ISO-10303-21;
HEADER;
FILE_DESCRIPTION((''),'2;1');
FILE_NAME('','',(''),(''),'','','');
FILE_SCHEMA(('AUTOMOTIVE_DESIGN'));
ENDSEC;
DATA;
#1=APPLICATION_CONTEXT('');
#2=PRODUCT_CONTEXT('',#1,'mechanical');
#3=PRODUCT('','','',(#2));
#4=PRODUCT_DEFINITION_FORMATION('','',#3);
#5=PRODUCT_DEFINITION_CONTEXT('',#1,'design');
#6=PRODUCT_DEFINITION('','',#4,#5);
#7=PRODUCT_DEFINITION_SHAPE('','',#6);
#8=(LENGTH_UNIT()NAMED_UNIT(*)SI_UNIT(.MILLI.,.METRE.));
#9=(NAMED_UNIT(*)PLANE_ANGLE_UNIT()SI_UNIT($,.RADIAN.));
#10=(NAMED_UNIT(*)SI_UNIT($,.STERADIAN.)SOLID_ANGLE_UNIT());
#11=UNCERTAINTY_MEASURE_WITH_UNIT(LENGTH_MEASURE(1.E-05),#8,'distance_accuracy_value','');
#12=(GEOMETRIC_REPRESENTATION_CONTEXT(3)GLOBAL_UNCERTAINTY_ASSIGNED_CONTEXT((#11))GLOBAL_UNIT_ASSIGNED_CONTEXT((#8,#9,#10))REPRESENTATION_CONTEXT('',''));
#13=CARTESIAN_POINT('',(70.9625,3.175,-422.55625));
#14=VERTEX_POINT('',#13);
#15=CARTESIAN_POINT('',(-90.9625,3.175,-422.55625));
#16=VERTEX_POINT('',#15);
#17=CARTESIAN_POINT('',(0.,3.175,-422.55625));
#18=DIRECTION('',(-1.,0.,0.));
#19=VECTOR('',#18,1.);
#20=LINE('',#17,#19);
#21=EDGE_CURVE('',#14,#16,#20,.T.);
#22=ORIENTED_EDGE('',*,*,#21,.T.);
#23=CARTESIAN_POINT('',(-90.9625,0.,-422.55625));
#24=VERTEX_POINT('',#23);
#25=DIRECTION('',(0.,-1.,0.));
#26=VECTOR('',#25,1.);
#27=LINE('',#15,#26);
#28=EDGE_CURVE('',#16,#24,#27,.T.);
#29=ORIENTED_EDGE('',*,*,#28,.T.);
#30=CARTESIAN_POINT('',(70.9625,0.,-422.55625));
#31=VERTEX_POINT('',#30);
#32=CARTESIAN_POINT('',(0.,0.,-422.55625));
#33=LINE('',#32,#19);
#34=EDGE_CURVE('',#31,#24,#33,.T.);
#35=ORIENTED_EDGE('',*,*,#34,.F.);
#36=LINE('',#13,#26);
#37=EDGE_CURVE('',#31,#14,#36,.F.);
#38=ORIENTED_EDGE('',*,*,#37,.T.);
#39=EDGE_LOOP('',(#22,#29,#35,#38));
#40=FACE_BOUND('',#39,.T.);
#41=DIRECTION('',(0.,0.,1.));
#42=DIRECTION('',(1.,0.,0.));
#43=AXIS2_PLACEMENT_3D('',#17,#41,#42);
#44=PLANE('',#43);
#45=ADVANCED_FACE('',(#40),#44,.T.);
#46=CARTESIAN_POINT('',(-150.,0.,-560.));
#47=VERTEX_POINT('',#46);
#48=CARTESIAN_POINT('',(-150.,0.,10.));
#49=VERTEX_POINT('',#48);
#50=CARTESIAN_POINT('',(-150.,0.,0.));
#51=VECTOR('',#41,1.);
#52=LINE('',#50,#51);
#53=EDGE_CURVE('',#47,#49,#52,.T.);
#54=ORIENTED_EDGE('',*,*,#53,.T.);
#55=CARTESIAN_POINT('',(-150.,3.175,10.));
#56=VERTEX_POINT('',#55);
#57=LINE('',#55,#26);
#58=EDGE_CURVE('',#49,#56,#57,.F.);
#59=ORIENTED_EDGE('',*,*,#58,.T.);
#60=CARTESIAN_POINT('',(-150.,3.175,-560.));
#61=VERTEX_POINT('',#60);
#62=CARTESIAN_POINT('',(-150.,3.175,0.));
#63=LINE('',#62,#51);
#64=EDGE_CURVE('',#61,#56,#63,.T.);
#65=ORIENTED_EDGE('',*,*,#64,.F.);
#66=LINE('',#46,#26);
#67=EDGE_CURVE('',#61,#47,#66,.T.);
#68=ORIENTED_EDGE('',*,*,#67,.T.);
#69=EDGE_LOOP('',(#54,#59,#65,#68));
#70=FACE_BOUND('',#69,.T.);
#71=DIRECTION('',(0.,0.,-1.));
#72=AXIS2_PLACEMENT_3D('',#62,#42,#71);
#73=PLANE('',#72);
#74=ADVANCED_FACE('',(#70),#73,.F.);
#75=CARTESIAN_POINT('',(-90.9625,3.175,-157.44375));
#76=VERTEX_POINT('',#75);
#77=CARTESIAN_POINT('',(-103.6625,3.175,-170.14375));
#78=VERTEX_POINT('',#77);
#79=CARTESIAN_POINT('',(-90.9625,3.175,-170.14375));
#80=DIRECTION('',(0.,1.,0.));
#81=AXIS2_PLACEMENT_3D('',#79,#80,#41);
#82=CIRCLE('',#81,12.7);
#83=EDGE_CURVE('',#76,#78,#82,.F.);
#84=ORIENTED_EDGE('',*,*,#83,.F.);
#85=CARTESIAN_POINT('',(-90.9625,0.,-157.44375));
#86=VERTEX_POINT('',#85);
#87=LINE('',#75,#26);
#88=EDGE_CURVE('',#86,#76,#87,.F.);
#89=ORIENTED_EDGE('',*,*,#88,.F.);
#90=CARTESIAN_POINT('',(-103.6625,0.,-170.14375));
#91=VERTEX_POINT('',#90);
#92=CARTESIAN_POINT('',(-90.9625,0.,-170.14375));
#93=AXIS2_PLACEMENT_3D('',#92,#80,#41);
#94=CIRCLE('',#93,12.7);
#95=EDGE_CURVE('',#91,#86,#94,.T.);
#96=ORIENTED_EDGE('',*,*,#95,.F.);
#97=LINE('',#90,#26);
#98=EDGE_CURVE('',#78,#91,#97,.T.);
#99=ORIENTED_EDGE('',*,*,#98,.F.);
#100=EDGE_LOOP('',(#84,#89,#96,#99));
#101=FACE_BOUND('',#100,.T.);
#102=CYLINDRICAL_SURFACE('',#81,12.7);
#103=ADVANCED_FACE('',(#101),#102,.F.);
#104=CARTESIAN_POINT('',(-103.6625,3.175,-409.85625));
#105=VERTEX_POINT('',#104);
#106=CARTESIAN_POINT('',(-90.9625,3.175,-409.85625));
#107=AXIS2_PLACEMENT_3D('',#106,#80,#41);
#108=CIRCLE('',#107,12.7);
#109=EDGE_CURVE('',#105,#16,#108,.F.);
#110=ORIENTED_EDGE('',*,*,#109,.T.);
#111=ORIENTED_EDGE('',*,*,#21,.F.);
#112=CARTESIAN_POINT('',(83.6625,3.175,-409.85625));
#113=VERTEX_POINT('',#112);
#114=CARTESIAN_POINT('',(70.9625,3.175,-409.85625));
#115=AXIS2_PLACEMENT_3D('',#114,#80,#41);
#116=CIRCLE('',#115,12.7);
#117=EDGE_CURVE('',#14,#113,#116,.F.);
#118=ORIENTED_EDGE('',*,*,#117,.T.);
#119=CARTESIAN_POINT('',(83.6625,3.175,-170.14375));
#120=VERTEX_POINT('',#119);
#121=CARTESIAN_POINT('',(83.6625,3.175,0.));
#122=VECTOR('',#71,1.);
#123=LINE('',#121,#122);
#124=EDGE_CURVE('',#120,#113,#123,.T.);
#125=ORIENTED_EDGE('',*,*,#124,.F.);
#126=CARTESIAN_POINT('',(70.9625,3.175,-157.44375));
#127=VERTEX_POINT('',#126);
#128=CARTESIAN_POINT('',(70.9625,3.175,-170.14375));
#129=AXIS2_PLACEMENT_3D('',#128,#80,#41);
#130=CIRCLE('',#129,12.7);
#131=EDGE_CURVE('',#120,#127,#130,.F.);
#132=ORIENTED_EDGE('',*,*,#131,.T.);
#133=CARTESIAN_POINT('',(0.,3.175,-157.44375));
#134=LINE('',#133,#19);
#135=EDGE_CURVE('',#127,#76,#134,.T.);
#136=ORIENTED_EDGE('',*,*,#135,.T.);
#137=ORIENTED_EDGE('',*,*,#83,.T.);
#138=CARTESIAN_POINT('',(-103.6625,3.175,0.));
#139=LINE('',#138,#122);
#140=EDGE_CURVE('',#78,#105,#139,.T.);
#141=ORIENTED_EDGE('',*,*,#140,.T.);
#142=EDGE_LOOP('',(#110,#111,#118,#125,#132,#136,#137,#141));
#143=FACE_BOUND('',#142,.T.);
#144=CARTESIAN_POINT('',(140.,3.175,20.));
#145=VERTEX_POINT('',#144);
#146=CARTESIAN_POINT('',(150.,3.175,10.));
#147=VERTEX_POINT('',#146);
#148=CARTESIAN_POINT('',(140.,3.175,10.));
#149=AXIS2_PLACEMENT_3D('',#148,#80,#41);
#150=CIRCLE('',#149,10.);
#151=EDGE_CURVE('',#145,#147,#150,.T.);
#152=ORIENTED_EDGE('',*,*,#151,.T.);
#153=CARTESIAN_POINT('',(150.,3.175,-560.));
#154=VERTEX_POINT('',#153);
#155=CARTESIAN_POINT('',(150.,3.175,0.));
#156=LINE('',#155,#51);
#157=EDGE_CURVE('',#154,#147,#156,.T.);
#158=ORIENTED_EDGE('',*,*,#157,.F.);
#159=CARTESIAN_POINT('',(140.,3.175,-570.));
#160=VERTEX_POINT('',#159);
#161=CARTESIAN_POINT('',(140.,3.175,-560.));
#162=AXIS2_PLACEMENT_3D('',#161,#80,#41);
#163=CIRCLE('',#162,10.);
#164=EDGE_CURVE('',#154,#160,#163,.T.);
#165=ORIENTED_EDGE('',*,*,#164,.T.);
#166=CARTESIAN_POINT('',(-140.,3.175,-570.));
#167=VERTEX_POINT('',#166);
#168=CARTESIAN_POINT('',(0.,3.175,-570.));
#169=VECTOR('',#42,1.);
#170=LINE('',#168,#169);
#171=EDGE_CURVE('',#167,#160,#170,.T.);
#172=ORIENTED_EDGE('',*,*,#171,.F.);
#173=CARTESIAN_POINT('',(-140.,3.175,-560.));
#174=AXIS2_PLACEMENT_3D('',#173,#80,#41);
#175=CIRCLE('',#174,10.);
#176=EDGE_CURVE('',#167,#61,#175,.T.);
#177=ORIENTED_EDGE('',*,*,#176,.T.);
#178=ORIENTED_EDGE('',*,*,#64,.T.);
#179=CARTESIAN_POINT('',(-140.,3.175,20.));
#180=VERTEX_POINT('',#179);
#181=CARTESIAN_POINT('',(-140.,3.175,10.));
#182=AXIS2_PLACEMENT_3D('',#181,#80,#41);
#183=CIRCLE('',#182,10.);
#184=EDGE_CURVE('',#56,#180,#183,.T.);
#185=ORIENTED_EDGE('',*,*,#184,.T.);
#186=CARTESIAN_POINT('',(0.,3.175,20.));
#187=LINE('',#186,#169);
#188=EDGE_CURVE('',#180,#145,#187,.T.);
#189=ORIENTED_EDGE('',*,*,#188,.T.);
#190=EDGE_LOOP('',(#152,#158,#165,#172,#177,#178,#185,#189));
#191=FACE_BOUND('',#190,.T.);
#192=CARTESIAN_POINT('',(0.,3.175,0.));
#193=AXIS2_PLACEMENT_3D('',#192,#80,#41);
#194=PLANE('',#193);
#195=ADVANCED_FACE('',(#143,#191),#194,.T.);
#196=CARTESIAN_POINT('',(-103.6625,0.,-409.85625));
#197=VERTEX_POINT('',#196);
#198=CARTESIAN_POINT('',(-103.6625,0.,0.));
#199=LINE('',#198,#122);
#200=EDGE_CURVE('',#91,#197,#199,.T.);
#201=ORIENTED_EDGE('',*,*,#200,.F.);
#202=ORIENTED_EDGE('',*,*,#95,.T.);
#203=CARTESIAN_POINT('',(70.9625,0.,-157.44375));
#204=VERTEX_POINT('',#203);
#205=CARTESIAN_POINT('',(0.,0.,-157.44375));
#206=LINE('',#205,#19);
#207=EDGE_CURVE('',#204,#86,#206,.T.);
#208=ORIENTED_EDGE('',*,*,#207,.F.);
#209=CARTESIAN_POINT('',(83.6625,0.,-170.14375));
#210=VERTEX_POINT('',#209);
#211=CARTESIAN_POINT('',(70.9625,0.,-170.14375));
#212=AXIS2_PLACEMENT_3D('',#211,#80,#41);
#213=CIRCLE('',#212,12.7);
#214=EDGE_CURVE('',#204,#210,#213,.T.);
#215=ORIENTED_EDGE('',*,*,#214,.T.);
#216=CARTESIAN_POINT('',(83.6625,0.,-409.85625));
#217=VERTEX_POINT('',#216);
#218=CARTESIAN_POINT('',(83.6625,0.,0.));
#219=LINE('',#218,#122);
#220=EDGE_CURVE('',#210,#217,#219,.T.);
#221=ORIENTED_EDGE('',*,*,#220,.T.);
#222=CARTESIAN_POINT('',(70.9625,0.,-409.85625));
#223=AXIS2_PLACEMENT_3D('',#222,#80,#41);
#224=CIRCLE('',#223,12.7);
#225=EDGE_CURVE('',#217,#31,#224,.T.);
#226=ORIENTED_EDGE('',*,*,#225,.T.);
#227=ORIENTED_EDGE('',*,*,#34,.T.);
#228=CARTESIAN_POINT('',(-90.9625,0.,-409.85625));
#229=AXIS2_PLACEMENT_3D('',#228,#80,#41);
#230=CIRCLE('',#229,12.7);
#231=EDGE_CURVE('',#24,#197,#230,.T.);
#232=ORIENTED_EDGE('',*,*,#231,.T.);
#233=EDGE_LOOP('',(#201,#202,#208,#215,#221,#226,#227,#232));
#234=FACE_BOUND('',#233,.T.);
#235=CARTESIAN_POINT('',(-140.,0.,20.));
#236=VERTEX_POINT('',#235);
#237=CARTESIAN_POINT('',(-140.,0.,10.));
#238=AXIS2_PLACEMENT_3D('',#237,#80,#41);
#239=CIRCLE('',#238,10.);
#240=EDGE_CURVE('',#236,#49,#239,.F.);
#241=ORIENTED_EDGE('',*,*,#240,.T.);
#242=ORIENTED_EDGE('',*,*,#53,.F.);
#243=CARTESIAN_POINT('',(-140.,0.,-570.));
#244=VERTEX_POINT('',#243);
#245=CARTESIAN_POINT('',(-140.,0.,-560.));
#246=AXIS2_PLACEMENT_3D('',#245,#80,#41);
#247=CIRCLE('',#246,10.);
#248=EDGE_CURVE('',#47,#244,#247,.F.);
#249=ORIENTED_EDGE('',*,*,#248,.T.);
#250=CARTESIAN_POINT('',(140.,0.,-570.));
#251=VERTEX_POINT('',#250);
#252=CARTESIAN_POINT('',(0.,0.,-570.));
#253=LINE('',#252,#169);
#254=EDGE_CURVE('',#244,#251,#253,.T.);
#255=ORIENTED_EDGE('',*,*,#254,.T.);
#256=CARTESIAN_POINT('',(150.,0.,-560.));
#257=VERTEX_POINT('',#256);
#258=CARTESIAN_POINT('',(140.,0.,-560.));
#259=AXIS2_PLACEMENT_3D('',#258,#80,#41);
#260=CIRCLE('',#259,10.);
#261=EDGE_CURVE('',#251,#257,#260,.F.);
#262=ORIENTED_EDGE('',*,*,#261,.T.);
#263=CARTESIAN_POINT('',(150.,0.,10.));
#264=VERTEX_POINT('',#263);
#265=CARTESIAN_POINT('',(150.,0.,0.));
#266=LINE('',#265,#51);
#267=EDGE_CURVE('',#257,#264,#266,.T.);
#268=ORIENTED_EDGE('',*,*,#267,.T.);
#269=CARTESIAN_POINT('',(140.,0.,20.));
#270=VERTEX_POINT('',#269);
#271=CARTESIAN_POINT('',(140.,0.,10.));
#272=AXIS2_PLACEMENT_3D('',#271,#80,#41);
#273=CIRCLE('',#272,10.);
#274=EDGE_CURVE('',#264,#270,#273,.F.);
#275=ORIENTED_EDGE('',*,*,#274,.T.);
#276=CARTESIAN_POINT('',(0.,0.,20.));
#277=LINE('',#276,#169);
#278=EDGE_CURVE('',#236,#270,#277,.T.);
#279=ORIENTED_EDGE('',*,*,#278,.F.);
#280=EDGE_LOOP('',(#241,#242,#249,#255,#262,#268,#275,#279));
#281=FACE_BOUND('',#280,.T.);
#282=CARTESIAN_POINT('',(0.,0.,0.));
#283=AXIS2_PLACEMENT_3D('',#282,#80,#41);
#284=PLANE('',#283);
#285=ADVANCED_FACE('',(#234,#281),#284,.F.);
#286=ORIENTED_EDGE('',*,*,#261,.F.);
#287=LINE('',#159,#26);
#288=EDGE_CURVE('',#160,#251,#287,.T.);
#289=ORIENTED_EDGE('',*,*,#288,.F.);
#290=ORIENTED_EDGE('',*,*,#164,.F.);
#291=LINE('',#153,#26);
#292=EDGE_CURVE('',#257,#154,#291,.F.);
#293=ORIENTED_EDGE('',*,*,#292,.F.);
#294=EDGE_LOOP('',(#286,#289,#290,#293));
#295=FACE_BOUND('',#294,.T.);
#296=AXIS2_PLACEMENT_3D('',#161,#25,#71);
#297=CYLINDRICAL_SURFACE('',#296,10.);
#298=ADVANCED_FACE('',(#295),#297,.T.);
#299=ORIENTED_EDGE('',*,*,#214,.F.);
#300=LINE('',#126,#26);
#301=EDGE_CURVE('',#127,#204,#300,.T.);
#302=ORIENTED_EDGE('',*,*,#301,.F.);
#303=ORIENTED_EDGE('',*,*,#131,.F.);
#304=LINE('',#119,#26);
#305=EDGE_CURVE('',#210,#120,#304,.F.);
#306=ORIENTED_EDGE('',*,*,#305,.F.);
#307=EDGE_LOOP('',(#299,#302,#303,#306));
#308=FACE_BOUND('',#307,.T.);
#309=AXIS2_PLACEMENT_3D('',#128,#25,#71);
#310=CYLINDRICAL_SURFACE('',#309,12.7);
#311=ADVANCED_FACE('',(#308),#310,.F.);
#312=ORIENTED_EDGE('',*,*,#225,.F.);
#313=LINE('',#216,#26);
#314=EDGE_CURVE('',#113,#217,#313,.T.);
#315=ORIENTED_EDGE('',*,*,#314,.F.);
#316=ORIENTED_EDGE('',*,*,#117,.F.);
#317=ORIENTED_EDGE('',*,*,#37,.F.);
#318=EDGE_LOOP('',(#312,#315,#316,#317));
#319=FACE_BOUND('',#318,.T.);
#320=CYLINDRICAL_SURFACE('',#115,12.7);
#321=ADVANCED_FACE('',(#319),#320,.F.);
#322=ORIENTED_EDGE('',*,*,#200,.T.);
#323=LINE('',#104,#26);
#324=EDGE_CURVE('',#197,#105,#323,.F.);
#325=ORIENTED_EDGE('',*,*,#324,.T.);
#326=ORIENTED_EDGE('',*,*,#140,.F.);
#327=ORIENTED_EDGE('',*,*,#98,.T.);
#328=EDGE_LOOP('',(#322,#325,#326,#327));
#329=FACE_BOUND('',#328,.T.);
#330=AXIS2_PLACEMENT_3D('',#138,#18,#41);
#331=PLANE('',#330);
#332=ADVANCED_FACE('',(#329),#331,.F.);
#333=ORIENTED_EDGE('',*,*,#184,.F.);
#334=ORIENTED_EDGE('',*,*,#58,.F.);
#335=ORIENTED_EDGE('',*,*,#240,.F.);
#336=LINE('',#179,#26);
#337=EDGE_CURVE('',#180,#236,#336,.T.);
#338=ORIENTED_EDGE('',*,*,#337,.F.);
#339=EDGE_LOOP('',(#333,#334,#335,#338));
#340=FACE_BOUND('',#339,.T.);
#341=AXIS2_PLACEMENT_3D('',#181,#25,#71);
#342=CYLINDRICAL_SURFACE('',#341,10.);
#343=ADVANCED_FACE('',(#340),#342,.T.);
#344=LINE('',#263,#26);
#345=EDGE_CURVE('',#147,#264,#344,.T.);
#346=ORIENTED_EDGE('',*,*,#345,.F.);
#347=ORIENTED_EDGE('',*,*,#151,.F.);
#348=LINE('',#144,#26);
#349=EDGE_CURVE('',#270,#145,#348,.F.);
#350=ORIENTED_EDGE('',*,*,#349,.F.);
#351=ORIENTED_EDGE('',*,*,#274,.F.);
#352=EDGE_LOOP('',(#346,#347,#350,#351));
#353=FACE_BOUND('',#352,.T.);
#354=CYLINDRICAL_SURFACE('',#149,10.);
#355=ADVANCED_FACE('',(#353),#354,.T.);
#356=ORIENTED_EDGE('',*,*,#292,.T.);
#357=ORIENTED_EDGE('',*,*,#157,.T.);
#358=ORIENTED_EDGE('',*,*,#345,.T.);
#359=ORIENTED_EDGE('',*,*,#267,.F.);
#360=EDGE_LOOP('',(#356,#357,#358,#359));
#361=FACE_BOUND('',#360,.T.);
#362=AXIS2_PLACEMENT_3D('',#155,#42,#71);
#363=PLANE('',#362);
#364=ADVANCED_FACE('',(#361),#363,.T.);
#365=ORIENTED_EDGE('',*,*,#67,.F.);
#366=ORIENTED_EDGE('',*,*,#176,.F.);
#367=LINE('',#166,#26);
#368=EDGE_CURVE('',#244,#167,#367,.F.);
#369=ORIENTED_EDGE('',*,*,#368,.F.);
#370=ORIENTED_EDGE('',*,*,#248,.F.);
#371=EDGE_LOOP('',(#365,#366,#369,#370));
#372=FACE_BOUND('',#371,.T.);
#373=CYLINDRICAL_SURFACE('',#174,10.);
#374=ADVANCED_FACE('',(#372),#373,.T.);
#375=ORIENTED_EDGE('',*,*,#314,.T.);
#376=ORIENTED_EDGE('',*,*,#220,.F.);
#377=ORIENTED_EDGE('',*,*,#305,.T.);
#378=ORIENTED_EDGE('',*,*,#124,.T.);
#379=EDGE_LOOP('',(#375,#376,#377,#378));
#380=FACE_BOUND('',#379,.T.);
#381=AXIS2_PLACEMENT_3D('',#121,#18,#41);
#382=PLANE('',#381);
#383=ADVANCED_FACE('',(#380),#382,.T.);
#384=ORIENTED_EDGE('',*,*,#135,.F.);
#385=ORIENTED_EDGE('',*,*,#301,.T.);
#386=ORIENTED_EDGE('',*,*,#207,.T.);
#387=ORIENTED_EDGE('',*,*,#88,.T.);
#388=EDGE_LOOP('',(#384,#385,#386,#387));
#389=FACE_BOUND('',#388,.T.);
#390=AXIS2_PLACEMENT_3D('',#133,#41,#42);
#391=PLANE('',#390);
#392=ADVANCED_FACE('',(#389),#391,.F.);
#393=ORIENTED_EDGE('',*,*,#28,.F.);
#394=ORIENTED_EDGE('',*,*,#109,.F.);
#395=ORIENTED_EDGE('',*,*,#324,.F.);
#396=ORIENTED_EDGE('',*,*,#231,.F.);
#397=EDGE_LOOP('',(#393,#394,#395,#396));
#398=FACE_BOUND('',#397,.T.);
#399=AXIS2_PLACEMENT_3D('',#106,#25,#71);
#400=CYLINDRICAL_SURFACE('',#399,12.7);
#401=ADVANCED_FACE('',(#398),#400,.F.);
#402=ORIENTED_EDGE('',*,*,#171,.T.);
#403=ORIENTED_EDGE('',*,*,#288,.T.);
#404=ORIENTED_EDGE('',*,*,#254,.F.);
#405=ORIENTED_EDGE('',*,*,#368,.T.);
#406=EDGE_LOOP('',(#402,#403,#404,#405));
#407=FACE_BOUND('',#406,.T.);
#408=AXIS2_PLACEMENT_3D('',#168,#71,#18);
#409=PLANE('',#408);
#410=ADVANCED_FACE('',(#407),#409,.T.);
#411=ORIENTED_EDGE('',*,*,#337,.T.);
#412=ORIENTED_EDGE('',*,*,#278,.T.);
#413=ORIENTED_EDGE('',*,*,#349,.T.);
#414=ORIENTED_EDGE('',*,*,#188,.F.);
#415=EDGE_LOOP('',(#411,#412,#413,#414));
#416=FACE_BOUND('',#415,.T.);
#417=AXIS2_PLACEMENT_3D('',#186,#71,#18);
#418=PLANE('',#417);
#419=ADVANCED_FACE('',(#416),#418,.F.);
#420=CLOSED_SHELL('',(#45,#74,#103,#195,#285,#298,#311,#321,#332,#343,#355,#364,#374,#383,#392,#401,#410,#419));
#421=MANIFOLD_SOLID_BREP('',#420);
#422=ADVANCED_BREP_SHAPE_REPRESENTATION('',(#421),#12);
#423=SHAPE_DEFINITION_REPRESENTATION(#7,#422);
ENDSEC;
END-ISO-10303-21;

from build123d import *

# Parameters (mm, degrees)
SKETCH9_W           = 300
SKETCH9_H           = 590
SKETCH9_W_2         = 187.325
SKETCH9_H_2         = 265.1125
BOSS_EXTRUDE7_DEPTH = 3.175
FILLET4_R           = 10
FILLET5_R           = 12.7


with BuildPart() as part:
    # Sketch9 → Boss-Extrude7 (new body)
    with BuildSketch(Plane(origin=(0, 0, 0), x_dir=(1, 0, 0), z_dir=(0, 1, 0))):
        with Locations((0, 275)):
            Rectangle(SKETCH9_W, SKETCH9_H)
        with Locations((-10, 290)):
            Rectangle(SKETCH9_W_2, SKETCH9_H_2, mode=Mode.SUBTRACT)
    extrude(amount=BOSS_EXTRUDE7_DEPTH)

    # Fillet4
    fillet4_edges = [part.edges().sort_by_distance(p)[0] for p in [
        (150, 1.5875, -570),
        (150, 1.5875, 20),
        (-150, 1.5875, 20),
        (-150, 1.5875, -570),
    ]]
    fillet(fillet4_edges, radius=FILLET4_R)

    # Fillet5
    fillet5_edges = [part.edges().sort_by_distance(p)[0] for p in [
        (83.6625, 1.5875, -157.44375),
        (83.6625, 1.5875, -422.55625),
        (-103.6625, 1.5875, -422.55625),
        (-103.6625, 1.5875, -157.44375),
    ]]
    fillet(fillet5_edges, radius=FILLET5_R)


solid = part.part
